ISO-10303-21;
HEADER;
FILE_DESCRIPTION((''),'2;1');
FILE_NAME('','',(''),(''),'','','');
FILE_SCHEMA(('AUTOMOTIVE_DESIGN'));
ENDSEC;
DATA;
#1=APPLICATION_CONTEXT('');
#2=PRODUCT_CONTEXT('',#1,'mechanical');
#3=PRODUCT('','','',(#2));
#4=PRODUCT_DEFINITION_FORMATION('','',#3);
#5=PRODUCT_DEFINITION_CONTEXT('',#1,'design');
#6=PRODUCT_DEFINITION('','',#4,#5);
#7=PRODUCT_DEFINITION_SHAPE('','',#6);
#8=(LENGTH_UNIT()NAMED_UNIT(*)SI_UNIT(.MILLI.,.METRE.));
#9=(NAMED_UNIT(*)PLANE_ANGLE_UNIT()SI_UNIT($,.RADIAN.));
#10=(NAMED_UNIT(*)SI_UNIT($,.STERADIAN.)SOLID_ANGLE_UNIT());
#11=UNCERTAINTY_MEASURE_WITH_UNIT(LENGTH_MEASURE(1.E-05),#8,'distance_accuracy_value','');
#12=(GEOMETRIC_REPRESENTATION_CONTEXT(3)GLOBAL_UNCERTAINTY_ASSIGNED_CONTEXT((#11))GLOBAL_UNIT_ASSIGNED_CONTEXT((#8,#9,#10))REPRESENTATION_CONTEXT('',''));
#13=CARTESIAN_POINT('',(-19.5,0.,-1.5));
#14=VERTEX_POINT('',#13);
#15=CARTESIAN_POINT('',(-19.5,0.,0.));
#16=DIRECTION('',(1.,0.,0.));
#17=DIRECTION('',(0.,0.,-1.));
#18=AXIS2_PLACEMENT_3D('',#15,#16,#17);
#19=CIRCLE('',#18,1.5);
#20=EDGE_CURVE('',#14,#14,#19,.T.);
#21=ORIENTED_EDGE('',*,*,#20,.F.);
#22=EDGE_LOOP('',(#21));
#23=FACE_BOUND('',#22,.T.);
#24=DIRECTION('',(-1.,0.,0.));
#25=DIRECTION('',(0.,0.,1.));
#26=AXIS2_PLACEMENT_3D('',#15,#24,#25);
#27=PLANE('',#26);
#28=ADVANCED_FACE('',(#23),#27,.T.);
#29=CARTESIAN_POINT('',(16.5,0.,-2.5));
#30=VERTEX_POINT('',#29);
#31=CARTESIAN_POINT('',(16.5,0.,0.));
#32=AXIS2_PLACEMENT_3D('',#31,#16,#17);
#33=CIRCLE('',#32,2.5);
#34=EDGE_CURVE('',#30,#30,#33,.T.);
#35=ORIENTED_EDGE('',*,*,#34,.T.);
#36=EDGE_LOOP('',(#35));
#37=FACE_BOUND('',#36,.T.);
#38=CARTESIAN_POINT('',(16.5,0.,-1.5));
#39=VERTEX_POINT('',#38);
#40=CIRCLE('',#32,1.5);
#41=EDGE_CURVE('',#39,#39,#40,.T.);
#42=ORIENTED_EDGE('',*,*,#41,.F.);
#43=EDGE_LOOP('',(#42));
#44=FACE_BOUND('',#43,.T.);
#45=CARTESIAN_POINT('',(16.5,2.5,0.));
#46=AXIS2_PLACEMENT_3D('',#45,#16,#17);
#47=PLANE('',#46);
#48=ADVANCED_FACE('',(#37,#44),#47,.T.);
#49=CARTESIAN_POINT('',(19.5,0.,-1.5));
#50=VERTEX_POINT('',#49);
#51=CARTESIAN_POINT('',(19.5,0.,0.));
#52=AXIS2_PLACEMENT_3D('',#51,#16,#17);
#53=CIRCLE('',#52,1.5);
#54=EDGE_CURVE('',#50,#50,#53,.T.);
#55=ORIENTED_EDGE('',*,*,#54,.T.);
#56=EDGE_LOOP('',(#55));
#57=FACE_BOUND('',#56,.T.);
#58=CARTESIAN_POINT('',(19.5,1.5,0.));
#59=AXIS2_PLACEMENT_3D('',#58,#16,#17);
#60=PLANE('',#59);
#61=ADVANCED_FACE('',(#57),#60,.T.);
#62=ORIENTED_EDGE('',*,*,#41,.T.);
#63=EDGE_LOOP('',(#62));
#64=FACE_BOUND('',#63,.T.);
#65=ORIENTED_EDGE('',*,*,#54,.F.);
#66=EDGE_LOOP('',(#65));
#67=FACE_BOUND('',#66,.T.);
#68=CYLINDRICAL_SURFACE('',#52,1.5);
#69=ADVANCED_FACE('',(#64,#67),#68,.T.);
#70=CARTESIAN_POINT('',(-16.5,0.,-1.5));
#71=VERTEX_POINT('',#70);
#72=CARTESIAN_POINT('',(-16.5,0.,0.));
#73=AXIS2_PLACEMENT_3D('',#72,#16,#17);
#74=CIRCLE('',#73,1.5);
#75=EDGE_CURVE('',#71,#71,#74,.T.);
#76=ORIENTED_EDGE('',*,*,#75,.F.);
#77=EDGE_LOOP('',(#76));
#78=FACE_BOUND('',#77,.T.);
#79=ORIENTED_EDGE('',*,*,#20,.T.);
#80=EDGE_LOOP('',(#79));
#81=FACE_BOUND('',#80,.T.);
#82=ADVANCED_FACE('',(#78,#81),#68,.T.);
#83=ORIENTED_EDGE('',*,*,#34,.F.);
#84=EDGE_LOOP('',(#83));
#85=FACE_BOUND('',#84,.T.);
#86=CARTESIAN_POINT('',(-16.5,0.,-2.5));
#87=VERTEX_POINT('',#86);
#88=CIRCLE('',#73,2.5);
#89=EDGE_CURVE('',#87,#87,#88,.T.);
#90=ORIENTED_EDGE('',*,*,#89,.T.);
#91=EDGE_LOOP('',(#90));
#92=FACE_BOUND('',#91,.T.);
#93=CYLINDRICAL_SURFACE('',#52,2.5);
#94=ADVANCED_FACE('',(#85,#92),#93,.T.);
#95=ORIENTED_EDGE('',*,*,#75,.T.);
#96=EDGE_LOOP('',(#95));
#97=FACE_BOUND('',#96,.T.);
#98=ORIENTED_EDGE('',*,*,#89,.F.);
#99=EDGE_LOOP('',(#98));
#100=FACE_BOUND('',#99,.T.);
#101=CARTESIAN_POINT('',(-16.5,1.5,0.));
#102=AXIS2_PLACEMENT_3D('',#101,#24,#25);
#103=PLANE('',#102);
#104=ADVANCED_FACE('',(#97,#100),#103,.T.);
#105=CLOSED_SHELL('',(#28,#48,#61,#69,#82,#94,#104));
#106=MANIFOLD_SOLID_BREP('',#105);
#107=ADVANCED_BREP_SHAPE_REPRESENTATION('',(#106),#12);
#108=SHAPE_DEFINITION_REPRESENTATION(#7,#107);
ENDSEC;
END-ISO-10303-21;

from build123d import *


with BuildPart() as part:
    # Sketch1 → Revolve1 (revolve)
    with BuildSketch(Plane.XY, mode=Mode.PRIVATE) as revolve1_sk:
        Polygon((-19.5, 0), (-19.5, 1.5), (-16.5, 1.5), (-16.5, 2.5), (16.5, 2.5), (16.5, 1.5), (19.5, 1.5), (19.5, 0), align=None)
    revolve(revolve1_sk.sketch.rotate(Axis((19.5, 0, 0), (-1, 0, 0)), 90), axis=Axis((19.5, 0, 0), (-1, 0, 0)))


solid = part.part
